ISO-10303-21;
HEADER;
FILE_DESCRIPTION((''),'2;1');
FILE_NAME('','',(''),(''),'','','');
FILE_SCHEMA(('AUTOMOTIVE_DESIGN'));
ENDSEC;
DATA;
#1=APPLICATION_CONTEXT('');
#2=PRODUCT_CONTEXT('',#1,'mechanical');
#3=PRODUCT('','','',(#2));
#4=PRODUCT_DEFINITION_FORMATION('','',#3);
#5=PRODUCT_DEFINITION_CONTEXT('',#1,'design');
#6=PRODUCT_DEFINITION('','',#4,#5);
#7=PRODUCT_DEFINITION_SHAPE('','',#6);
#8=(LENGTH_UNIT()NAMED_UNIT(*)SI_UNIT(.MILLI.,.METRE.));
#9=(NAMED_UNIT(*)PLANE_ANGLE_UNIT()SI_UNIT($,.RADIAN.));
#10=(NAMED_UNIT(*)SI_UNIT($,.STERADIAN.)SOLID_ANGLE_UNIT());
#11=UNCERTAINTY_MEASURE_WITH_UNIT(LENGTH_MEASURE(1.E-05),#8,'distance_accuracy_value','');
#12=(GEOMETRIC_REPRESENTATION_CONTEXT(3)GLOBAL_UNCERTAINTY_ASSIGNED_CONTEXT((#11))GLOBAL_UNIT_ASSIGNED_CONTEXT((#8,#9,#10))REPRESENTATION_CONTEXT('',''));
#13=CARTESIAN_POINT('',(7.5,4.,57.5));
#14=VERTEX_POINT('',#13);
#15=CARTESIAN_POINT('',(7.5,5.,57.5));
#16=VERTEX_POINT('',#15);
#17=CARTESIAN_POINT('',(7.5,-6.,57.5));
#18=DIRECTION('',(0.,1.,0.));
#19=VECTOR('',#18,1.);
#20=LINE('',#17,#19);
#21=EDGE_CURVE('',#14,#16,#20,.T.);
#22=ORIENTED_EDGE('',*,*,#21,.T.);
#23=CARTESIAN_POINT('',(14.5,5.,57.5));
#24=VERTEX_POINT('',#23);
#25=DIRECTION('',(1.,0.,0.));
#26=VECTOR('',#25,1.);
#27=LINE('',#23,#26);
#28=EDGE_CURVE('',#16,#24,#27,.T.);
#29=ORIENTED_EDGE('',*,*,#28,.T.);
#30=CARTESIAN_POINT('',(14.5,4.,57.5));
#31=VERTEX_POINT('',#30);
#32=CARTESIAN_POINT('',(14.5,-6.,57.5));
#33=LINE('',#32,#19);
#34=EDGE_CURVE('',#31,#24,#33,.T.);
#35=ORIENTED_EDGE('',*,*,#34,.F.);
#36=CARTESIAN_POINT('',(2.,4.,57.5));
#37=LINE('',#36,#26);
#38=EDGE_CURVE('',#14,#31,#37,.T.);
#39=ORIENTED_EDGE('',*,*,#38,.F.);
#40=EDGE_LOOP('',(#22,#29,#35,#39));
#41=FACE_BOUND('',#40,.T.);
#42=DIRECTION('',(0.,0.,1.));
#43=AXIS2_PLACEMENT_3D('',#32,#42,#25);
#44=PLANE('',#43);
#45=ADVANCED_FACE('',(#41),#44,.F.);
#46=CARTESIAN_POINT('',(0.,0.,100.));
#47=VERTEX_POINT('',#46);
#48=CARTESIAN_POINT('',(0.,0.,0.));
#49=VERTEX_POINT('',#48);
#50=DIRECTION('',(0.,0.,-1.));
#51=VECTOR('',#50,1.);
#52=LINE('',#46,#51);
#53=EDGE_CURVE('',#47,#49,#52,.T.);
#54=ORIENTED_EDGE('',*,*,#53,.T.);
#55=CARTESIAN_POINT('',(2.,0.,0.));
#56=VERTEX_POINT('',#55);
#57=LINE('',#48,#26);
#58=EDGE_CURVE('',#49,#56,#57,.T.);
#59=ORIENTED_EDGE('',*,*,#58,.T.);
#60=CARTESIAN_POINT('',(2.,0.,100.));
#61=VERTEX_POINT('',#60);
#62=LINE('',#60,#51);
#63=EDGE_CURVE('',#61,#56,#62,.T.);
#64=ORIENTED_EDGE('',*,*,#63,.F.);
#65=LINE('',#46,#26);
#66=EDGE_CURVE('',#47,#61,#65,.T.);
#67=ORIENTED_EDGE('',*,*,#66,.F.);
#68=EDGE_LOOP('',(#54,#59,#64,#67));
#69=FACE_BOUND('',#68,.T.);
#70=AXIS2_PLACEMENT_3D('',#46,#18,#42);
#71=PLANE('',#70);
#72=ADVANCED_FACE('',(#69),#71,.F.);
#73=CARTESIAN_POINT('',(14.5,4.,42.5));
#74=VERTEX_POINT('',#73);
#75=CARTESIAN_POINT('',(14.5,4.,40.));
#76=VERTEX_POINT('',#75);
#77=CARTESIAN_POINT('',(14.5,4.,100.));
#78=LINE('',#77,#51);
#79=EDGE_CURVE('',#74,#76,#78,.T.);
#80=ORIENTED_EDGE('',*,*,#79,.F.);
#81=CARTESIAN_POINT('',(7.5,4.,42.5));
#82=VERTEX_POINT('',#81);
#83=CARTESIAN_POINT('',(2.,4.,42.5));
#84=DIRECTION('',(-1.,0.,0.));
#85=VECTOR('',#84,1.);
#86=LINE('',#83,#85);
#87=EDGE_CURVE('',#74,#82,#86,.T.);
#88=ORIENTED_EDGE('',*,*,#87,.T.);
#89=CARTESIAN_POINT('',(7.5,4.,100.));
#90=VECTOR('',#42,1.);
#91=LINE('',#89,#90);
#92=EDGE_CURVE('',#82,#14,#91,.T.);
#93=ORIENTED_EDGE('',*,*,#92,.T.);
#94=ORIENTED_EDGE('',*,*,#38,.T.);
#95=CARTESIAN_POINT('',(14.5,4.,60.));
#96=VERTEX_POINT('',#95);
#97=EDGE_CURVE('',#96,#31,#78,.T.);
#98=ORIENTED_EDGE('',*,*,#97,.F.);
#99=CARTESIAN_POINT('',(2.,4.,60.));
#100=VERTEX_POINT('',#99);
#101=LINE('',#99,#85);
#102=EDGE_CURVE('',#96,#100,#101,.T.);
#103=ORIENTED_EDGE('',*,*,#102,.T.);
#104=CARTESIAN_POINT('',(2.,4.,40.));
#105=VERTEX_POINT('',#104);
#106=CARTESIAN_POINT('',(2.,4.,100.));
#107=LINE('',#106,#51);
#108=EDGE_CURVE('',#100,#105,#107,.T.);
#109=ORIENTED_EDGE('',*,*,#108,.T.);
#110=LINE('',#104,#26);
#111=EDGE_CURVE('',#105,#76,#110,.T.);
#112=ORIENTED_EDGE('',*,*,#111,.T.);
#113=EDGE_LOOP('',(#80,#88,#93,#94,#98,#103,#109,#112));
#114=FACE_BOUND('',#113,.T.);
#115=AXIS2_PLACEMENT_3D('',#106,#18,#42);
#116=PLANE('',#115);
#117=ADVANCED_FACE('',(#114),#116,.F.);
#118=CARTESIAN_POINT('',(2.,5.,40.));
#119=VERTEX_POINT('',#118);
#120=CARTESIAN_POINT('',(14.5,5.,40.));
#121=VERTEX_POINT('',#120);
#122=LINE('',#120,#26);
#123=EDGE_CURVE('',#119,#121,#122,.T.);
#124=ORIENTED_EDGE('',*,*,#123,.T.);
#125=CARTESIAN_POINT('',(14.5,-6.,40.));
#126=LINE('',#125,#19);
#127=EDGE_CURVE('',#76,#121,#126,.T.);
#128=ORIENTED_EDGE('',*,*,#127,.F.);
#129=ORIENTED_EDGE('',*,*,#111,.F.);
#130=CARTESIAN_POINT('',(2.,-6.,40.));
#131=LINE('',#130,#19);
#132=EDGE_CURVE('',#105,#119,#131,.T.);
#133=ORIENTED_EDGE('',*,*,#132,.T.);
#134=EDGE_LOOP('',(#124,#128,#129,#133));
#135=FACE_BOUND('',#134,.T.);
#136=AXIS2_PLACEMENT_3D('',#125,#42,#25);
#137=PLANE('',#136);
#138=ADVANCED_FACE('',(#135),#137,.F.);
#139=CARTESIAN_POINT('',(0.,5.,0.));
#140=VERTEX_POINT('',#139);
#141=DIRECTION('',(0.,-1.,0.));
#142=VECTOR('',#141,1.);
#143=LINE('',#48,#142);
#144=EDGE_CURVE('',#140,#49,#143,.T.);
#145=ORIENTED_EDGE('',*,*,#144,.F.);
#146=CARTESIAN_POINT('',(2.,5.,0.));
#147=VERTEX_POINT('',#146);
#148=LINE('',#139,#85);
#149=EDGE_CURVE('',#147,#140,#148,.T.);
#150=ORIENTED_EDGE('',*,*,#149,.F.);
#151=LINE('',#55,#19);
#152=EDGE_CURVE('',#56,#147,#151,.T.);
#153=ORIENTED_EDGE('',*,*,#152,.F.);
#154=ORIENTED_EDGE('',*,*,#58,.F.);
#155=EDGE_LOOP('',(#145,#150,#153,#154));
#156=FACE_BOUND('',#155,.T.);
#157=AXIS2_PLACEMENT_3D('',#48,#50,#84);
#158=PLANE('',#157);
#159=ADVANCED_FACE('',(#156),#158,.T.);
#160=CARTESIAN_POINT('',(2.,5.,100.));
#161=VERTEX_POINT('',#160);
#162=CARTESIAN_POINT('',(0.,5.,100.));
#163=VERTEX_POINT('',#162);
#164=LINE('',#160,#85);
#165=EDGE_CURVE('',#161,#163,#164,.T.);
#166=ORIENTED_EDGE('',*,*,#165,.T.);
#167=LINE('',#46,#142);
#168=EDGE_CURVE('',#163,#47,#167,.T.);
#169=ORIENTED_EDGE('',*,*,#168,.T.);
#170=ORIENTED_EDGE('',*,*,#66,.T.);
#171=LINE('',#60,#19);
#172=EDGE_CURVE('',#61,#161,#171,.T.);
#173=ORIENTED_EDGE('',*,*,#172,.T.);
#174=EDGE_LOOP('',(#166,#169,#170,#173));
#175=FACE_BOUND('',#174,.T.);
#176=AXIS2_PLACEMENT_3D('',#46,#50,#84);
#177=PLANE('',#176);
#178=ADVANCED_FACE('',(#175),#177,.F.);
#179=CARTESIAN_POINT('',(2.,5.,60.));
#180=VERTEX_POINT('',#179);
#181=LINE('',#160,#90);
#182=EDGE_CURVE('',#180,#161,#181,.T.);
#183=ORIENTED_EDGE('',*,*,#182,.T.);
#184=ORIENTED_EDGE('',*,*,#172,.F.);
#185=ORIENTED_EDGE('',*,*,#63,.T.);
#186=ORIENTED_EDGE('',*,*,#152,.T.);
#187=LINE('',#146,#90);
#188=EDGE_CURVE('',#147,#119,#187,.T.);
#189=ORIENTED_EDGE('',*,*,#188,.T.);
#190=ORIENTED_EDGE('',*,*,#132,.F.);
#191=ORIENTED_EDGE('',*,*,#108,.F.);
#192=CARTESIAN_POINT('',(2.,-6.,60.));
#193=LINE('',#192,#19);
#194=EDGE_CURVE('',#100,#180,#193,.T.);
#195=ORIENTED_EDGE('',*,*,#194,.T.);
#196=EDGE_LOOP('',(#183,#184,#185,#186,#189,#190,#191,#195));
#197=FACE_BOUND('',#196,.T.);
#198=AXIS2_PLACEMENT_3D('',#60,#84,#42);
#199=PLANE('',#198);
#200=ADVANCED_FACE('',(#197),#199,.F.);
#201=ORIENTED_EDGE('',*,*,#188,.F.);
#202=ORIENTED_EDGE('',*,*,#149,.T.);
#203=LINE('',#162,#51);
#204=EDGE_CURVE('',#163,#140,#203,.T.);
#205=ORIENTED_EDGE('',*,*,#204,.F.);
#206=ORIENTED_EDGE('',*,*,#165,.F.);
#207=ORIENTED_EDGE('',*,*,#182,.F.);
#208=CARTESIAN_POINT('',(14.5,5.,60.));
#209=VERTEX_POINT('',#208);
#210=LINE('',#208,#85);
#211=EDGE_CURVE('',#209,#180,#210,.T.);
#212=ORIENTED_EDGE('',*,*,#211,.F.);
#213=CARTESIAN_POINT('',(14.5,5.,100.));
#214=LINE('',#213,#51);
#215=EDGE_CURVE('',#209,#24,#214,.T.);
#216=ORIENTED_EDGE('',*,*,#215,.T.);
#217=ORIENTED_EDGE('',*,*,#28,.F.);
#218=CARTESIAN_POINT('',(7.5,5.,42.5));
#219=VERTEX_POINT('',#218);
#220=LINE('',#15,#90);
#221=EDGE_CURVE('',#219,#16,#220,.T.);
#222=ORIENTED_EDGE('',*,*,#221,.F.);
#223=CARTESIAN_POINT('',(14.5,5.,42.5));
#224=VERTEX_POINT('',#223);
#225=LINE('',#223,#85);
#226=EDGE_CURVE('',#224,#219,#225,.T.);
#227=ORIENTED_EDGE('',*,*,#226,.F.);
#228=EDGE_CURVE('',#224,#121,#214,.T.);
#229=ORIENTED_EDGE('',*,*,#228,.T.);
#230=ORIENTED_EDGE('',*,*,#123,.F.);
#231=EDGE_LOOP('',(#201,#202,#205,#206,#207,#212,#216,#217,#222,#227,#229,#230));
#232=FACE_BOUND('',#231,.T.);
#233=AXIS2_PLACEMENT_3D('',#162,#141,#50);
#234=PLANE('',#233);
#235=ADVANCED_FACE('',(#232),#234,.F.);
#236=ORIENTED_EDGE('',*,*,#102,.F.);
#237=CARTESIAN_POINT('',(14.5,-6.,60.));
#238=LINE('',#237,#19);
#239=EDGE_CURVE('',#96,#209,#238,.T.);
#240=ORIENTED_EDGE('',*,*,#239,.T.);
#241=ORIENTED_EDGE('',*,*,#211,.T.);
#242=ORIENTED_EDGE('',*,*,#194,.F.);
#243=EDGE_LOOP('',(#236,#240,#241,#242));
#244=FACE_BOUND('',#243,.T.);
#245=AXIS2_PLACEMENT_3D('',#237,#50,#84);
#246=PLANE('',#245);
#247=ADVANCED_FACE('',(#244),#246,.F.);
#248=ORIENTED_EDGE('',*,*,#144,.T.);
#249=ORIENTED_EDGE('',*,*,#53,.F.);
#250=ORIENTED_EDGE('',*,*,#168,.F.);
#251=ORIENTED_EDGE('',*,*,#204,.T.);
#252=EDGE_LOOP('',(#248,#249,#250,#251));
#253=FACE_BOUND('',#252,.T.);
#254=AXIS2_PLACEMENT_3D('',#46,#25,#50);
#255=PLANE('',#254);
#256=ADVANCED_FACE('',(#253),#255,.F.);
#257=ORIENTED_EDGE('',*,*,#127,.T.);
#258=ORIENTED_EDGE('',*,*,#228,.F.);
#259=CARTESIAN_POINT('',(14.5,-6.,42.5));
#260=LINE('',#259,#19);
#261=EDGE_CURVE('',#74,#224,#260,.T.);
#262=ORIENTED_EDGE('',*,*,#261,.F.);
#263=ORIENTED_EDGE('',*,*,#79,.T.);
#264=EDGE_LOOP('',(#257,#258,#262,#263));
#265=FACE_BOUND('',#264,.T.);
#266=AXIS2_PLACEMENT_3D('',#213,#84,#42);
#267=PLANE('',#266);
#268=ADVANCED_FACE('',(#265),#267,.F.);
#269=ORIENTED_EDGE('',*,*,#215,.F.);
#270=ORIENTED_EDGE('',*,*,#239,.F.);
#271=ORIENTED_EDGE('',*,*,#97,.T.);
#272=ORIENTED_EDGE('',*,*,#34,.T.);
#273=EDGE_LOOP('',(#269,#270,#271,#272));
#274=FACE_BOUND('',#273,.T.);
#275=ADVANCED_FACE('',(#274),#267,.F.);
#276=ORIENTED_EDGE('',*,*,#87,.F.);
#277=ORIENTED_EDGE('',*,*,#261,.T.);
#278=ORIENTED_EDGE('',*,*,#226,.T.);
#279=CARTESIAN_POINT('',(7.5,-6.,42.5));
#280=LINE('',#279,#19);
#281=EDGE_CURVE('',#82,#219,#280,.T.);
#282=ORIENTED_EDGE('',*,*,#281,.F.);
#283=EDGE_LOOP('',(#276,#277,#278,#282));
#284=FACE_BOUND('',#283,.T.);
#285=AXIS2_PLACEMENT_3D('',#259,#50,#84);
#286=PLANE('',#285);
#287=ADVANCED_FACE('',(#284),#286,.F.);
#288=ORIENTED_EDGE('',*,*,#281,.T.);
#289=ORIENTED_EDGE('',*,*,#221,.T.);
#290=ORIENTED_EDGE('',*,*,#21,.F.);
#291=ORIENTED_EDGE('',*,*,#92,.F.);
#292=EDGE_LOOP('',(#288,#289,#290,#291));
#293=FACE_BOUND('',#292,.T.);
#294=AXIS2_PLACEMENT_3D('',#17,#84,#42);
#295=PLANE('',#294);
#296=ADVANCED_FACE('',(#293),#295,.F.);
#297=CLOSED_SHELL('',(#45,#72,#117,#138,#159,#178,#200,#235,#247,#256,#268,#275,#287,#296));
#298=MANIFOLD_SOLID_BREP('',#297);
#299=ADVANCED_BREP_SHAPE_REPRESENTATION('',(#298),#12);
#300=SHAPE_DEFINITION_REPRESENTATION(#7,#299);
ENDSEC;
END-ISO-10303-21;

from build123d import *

# Parameters (mm, degrees)
SALIENTE_EXTRUIR1_DEPTH = 100
CROQUIS2_W              = 7
CROQUIS2_H              = 15
CROQUIS2_W_2            = 12.5
CROQUIS2_H_2            = 40
CORTAR_EXTRUIR1_DEPTH   = 11


with BuildPart() as part:
    # Croquis1 → Saliente-Extruir1 (new body)
    with BuildSketch(Plane.XY):
        Polygon((0, 0), (2, 0), (2, 4), (14.5, 4), (14.5, 5), (2, 5), (0, 5), align=None)
    extrude(amount=SALIENTE_EXTRUIR1_DEPTH)

    # Croquis2 → Cortar-Extruir1 (cut)
    with BuildSketch(Plane(origin=(0, 5, 0), x_dir=(1, 0, 0), z_dir=(0, 1, 0))):
        with Locations((11, -50)):
            Rectangle(CROQUIS2_W, CROQUIS2_H)
        with Locations((8.25, -20)):
            Rectangle(CROQUIS2_W_2, CROQUIS2_H_2)
        with Locations((8.25, -80)):
            Rectangle(CROQUIS2_W_2, CROQUIS2_H_2)
    extrude(amount=-CORTAR_EXTRUIR1_DEPTH, mode=Mode.SUBTRACT)


solid = part.part
